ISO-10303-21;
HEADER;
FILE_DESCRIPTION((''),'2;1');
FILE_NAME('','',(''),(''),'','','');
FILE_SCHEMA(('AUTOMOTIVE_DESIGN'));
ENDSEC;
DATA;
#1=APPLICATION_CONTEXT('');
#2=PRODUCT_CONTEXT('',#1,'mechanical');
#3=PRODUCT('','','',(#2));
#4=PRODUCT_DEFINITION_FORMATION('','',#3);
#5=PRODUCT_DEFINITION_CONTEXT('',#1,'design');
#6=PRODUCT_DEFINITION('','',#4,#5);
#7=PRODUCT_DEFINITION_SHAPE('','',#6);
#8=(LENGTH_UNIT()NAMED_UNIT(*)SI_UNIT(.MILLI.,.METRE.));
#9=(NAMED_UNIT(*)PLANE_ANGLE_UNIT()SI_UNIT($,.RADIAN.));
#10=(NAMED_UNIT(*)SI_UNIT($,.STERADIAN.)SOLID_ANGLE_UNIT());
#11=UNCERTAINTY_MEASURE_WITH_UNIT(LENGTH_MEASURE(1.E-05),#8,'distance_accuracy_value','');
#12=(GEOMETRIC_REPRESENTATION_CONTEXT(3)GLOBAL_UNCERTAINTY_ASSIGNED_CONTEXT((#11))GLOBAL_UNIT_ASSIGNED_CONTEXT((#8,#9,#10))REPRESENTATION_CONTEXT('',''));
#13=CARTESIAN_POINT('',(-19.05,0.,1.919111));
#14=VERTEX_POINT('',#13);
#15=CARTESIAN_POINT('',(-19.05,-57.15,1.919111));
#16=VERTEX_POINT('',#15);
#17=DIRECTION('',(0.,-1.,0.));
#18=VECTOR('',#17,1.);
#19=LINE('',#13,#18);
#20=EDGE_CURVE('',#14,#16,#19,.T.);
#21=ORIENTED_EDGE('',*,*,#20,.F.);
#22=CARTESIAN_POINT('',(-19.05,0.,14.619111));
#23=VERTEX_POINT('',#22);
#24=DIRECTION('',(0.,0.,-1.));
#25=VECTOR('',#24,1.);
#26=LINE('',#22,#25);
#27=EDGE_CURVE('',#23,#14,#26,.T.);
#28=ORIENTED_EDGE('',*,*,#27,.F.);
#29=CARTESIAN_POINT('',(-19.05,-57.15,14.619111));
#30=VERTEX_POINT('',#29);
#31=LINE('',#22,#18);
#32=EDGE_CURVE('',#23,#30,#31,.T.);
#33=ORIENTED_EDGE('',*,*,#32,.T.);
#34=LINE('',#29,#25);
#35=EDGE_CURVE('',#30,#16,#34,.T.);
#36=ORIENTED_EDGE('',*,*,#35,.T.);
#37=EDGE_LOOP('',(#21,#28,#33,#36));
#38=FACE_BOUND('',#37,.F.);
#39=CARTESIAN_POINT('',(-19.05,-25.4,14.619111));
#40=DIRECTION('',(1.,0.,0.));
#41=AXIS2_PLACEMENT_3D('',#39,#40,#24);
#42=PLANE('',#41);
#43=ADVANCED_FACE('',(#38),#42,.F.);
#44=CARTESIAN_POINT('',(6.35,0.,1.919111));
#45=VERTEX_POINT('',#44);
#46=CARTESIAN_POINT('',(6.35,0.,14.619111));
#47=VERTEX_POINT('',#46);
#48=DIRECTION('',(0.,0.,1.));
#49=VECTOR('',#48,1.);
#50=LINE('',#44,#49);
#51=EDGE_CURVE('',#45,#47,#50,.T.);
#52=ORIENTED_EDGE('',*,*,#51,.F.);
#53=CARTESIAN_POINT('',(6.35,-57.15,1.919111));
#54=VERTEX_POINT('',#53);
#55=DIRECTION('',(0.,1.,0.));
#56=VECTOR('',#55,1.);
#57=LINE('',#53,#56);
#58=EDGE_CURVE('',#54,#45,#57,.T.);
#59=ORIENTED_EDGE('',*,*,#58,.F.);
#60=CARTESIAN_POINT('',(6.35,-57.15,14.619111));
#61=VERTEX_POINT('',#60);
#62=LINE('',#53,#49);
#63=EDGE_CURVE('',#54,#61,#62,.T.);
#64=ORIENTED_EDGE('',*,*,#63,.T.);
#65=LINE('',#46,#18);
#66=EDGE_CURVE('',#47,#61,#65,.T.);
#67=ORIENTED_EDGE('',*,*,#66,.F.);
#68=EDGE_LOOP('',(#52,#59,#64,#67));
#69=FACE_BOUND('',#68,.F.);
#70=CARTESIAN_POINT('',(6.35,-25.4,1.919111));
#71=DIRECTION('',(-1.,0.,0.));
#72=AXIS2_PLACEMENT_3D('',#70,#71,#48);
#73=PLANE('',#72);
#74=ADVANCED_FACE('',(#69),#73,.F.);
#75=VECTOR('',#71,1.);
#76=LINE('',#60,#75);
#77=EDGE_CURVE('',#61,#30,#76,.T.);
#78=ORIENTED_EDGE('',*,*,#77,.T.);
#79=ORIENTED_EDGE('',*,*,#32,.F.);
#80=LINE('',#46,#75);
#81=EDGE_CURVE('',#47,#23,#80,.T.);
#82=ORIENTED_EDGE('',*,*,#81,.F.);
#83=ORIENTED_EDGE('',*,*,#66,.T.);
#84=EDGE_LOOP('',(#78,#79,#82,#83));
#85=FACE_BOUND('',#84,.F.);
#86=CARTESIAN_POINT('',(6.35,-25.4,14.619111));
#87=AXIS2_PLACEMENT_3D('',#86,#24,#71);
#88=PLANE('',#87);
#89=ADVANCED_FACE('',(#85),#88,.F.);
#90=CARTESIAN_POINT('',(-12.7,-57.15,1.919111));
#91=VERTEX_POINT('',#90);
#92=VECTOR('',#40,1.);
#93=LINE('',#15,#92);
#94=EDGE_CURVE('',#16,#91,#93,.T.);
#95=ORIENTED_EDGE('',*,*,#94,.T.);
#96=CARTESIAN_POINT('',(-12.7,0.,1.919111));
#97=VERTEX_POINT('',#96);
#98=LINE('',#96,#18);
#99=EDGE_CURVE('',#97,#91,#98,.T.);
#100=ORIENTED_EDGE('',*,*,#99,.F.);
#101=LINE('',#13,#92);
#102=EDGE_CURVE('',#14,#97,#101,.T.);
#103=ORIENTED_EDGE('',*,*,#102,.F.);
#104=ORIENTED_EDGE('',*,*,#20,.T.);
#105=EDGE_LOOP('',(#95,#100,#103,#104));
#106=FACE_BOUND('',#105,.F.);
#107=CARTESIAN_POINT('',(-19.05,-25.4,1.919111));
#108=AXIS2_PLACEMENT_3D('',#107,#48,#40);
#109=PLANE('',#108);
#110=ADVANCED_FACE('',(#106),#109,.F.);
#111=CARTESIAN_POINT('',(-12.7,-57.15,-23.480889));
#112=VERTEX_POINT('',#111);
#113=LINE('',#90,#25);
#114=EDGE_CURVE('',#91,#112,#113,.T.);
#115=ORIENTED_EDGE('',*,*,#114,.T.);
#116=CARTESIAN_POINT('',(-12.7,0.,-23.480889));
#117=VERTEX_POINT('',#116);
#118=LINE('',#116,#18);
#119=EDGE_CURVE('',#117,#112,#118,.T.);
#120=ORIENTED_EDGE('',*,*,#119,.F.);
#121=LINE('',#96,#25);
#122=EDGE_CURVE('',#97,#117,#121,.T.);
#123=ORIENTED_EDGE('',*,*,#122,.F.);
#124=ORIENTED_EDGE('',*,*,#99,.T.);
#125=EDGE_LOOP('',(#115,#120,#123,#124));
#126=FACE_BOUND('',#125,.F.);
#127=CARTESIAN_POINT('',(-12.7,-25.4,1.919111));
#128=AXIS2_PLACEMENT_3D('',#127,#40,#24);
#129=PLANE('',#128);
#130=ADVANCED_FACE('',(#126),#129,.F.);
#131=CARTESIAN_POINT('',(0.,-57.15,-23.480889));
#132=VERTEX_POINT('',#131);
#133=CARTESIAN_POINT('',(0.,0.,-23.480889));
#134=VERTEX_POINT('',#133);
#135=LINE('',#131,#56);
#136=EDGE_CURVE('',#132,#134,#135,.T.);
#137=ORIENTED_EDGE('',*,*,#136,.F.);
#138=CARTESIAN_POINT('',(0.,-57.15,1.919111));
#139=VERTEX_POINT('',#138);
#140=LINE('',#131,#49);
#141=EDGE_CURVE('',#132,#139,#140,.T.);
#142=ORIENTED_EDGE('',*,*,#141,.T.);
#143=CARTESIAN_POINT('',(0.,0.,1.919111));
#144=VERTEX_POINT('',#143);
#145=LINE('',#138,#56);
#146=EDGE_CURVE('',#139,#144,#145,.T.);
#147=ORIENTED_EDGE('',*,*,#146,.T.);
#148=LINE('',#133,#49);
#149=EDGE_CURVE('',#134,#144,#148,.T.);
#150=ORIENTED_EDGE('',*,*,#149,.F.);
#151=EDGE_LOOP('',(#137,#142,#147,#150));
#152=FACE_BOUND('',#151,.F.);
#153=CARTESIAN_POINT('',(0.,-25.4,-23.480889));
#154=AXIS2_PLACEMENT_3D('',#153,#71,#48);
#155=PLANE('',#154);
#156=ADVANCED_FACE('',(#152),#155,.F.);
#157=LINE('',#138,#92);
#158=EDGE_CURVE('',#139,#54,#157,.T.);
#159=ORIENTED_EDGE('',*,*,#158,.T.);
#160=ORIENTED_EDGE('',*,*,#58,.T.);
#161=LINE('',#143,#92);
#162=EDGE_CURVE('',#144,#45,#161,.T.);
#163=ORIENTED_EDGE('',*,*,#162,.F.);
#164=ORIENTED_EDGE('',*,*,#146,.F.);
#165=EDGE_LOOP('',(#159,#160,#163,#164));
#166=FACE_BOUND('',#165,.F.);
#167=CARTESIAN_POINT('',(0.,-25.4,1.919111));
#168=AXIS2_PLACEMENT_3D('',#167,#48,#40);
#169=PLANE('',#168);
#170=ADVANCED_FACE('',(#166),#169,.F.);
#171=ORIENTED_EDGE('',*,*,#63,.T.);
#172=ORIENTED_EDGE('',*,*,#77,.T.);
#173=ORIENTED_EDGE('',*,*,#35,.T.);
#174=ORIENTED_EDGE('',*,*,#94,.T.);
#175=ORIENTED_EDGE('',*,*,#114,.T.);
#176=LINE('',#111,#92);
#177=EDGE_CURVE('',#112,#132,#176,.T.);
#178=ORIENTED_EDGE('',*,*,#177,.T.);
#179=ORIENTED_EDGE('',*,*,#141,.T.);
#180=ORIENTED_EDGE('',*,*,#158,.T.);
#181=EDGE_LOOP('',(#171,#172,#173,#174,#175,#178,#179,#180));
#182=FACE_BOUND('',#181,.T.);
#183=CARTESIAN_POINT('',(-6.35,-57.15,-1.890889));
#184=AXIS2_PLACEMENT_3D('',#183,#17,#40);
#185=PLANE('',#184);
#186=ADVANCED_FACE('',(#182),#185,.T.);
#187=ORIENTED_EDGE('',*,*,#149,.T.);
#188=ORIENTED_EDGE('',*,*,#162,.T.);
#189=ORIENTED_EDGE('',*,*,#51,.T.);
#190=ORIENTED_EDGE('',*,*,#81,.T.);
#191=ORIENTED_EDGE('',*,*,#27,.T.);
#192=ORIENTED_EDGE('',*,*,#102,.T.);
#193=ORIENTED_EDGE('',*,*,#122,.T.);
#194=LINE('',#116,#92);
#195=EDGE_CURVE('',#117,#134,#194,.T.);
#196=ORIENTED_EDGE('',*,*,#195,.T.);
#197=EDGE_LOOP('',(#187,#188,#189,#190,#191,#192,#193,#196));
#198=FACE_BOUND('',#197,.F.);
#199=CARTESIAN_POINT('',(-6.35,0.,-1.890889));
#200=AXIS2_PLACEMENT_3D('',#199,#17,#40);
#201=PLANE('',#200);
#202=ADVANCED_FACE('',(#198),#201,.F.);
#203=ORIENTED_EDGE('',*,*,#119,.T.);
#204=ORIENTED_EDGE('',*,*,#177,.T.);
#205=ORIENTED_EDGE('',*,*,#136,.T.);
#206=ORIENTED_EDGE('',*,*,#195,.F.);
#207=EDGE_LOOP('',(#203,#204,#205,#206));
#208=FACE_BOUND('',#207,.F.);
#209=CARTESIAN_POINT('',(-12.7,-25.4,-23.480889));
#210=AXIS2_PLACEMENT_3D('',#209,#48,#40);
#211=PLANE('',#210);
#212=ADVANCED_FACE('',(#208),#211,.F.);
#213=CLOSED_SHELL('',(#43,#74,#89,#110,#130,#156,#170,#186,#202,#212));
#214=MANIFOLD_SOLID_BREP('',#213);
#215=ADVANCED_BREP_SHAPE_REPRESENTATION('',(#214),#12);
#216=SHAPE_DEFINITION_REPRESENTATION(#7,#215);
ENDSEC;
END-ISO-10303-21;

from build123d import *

# Parameters (mm, degrees)
F1_DEPTH = 25.4
F2_DEPTH = 31.75


with BuildPart() as f1:
    # F0 (on Front) → F1 (new body)
    with BuildSketch(Plane.XZ):
        Polygon((6.35, 14.619111), (-19.05, 14.619111), (-19.05, 1.919111), (-12.7, 1.919111), (-12.7, -23.480889), (0, -23.480889), (0, 1.919111), (6.35, 1.919111), align=None)
    extrude(amount=F1_DEPTH)

    # F1_face (on face) → F2 (join)
    with BuildSketch(Plane(origin=(-6.35, -25.4, -1.255889), x_dir=(1, 0, 0), z_dir=(0, -1, 0))):
        Polygon((12.7, 3.175), (12.7, 15.875), (-12.7, 15.875), (-12.7, 3.175), (-6.35, 3.175), (-6.35, -22.225), (6.35, -22.225), (6.35, 3.175), align=None)
    extrude(amount=F2_DEPTH)


solid = f1.part
